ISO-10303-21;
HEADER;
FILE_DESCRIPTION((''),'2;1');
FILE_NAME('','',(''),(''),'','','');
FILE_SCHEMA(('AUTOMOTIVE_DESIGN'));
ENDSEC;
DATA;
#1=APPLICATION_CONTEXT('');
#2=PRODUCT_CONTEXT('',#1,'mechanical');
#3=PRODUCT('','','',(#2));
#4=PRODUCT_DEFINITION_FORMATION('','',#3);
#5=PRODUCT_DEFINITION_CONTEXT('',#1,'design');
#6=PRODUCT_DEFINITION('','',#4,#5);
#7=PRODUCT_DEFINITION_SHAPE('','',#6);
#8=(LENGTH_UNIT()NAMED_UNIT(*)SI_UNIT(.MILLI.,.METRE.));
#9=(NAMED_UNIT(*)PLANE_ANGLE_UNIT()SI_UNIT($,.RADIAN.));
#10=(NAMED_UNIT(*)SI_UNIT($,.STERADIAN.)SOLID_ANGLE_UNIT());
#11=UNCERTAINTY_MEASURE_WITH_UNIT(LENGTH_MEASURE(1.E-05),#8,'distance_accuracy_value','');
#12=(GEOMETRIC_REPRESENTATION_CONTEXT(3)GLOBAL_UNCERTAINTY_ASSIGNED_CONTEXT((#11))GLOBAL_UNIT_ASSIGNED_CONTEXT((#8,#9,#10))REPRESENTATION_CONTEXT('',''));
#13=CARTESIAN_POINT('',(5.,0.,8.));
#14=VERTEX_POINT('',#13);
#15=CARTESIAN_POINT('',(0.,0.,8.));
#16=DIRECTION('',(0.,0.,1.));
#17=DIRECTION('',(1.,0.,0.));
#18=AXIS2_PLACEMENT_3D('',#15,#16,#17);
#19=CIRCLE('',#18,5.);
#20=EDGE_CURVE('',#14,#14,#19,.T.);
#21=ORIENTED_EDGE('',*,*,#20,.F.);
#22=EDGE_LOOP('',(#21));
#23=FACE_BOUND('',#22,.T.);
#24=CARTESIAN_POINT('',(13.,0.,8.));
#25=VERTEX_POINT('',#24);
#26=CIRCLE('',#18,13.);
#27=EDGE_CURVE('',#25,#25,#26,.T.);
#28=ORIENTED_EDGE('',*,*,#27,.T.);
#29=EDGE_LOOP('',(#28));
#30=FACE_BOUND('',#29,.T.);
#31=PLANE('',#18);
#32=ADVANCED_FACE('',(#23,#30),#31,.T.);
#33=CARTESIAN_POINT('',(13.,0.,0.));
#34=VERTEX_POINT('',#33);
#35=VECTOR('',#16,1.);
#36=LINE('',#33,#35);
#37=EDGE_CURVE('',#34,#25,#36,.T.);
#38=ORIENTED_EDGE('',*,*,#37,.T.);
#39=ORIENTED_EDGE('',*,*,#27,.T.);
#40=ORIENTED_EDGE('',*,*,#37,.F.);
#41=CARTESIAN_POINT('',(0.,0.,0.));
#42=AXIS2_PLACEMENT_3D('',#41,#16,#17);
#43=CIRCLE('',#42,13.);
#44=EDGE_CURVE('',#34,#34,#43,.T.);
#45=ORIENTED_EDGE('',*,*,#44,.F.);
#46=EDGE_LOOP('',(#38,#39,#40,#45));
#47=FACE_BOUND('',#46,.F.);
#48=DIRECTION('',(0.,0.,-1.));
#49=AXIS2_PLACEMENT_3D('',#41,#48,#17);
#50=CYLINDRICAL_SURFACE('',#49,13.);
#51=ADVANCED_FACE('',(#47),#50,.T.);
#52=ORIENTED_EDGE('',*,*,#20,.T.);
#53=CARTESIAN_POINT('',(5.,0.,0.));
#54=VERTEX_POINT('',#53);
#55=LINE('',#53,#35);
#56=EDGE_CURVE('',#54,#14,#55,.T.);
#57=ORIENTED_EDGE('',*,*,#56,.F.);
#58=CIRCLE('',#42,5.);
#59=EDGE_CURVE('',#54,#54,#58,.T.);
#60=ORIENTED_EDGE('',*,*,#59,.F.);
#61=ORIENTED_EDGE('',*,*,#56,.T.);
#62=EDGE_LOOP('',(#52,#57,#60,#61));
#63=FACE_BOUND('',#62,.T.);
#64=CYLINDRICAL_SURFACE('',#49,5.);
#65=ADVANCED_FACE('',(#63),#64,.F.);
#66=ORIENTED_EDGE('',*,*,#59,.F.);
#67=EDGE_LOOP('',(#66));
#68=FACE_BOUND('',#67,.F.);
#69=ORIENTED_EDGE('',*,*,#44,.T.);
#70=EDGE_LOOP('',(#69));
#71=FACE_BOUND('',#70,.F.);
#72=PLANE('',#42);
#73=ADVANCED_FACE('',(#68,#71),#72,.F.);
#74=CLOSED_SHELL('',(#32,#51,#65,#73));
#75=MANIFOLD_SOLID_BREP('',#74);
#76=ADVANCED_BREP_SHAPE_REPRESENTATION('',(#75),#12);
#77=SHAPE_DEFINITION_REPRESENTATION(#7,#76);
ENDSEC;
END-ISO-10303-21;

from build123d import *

# Parameters (mm, degrees)
SKETCH_R   = 13
SKETCH_R_2 = 5
PAD_DEPTH  = 8


with BuildPart() as part:
    # Sketch → Pad (new body)
    with BuildSketch(Plane.XY):
        Circle(SKETCH_R)
        Circle(SKETCH_R_2, mode=Mode.SUBTRACT)
    extrude(amount=PAD_DEPTH)


solid = part.part
